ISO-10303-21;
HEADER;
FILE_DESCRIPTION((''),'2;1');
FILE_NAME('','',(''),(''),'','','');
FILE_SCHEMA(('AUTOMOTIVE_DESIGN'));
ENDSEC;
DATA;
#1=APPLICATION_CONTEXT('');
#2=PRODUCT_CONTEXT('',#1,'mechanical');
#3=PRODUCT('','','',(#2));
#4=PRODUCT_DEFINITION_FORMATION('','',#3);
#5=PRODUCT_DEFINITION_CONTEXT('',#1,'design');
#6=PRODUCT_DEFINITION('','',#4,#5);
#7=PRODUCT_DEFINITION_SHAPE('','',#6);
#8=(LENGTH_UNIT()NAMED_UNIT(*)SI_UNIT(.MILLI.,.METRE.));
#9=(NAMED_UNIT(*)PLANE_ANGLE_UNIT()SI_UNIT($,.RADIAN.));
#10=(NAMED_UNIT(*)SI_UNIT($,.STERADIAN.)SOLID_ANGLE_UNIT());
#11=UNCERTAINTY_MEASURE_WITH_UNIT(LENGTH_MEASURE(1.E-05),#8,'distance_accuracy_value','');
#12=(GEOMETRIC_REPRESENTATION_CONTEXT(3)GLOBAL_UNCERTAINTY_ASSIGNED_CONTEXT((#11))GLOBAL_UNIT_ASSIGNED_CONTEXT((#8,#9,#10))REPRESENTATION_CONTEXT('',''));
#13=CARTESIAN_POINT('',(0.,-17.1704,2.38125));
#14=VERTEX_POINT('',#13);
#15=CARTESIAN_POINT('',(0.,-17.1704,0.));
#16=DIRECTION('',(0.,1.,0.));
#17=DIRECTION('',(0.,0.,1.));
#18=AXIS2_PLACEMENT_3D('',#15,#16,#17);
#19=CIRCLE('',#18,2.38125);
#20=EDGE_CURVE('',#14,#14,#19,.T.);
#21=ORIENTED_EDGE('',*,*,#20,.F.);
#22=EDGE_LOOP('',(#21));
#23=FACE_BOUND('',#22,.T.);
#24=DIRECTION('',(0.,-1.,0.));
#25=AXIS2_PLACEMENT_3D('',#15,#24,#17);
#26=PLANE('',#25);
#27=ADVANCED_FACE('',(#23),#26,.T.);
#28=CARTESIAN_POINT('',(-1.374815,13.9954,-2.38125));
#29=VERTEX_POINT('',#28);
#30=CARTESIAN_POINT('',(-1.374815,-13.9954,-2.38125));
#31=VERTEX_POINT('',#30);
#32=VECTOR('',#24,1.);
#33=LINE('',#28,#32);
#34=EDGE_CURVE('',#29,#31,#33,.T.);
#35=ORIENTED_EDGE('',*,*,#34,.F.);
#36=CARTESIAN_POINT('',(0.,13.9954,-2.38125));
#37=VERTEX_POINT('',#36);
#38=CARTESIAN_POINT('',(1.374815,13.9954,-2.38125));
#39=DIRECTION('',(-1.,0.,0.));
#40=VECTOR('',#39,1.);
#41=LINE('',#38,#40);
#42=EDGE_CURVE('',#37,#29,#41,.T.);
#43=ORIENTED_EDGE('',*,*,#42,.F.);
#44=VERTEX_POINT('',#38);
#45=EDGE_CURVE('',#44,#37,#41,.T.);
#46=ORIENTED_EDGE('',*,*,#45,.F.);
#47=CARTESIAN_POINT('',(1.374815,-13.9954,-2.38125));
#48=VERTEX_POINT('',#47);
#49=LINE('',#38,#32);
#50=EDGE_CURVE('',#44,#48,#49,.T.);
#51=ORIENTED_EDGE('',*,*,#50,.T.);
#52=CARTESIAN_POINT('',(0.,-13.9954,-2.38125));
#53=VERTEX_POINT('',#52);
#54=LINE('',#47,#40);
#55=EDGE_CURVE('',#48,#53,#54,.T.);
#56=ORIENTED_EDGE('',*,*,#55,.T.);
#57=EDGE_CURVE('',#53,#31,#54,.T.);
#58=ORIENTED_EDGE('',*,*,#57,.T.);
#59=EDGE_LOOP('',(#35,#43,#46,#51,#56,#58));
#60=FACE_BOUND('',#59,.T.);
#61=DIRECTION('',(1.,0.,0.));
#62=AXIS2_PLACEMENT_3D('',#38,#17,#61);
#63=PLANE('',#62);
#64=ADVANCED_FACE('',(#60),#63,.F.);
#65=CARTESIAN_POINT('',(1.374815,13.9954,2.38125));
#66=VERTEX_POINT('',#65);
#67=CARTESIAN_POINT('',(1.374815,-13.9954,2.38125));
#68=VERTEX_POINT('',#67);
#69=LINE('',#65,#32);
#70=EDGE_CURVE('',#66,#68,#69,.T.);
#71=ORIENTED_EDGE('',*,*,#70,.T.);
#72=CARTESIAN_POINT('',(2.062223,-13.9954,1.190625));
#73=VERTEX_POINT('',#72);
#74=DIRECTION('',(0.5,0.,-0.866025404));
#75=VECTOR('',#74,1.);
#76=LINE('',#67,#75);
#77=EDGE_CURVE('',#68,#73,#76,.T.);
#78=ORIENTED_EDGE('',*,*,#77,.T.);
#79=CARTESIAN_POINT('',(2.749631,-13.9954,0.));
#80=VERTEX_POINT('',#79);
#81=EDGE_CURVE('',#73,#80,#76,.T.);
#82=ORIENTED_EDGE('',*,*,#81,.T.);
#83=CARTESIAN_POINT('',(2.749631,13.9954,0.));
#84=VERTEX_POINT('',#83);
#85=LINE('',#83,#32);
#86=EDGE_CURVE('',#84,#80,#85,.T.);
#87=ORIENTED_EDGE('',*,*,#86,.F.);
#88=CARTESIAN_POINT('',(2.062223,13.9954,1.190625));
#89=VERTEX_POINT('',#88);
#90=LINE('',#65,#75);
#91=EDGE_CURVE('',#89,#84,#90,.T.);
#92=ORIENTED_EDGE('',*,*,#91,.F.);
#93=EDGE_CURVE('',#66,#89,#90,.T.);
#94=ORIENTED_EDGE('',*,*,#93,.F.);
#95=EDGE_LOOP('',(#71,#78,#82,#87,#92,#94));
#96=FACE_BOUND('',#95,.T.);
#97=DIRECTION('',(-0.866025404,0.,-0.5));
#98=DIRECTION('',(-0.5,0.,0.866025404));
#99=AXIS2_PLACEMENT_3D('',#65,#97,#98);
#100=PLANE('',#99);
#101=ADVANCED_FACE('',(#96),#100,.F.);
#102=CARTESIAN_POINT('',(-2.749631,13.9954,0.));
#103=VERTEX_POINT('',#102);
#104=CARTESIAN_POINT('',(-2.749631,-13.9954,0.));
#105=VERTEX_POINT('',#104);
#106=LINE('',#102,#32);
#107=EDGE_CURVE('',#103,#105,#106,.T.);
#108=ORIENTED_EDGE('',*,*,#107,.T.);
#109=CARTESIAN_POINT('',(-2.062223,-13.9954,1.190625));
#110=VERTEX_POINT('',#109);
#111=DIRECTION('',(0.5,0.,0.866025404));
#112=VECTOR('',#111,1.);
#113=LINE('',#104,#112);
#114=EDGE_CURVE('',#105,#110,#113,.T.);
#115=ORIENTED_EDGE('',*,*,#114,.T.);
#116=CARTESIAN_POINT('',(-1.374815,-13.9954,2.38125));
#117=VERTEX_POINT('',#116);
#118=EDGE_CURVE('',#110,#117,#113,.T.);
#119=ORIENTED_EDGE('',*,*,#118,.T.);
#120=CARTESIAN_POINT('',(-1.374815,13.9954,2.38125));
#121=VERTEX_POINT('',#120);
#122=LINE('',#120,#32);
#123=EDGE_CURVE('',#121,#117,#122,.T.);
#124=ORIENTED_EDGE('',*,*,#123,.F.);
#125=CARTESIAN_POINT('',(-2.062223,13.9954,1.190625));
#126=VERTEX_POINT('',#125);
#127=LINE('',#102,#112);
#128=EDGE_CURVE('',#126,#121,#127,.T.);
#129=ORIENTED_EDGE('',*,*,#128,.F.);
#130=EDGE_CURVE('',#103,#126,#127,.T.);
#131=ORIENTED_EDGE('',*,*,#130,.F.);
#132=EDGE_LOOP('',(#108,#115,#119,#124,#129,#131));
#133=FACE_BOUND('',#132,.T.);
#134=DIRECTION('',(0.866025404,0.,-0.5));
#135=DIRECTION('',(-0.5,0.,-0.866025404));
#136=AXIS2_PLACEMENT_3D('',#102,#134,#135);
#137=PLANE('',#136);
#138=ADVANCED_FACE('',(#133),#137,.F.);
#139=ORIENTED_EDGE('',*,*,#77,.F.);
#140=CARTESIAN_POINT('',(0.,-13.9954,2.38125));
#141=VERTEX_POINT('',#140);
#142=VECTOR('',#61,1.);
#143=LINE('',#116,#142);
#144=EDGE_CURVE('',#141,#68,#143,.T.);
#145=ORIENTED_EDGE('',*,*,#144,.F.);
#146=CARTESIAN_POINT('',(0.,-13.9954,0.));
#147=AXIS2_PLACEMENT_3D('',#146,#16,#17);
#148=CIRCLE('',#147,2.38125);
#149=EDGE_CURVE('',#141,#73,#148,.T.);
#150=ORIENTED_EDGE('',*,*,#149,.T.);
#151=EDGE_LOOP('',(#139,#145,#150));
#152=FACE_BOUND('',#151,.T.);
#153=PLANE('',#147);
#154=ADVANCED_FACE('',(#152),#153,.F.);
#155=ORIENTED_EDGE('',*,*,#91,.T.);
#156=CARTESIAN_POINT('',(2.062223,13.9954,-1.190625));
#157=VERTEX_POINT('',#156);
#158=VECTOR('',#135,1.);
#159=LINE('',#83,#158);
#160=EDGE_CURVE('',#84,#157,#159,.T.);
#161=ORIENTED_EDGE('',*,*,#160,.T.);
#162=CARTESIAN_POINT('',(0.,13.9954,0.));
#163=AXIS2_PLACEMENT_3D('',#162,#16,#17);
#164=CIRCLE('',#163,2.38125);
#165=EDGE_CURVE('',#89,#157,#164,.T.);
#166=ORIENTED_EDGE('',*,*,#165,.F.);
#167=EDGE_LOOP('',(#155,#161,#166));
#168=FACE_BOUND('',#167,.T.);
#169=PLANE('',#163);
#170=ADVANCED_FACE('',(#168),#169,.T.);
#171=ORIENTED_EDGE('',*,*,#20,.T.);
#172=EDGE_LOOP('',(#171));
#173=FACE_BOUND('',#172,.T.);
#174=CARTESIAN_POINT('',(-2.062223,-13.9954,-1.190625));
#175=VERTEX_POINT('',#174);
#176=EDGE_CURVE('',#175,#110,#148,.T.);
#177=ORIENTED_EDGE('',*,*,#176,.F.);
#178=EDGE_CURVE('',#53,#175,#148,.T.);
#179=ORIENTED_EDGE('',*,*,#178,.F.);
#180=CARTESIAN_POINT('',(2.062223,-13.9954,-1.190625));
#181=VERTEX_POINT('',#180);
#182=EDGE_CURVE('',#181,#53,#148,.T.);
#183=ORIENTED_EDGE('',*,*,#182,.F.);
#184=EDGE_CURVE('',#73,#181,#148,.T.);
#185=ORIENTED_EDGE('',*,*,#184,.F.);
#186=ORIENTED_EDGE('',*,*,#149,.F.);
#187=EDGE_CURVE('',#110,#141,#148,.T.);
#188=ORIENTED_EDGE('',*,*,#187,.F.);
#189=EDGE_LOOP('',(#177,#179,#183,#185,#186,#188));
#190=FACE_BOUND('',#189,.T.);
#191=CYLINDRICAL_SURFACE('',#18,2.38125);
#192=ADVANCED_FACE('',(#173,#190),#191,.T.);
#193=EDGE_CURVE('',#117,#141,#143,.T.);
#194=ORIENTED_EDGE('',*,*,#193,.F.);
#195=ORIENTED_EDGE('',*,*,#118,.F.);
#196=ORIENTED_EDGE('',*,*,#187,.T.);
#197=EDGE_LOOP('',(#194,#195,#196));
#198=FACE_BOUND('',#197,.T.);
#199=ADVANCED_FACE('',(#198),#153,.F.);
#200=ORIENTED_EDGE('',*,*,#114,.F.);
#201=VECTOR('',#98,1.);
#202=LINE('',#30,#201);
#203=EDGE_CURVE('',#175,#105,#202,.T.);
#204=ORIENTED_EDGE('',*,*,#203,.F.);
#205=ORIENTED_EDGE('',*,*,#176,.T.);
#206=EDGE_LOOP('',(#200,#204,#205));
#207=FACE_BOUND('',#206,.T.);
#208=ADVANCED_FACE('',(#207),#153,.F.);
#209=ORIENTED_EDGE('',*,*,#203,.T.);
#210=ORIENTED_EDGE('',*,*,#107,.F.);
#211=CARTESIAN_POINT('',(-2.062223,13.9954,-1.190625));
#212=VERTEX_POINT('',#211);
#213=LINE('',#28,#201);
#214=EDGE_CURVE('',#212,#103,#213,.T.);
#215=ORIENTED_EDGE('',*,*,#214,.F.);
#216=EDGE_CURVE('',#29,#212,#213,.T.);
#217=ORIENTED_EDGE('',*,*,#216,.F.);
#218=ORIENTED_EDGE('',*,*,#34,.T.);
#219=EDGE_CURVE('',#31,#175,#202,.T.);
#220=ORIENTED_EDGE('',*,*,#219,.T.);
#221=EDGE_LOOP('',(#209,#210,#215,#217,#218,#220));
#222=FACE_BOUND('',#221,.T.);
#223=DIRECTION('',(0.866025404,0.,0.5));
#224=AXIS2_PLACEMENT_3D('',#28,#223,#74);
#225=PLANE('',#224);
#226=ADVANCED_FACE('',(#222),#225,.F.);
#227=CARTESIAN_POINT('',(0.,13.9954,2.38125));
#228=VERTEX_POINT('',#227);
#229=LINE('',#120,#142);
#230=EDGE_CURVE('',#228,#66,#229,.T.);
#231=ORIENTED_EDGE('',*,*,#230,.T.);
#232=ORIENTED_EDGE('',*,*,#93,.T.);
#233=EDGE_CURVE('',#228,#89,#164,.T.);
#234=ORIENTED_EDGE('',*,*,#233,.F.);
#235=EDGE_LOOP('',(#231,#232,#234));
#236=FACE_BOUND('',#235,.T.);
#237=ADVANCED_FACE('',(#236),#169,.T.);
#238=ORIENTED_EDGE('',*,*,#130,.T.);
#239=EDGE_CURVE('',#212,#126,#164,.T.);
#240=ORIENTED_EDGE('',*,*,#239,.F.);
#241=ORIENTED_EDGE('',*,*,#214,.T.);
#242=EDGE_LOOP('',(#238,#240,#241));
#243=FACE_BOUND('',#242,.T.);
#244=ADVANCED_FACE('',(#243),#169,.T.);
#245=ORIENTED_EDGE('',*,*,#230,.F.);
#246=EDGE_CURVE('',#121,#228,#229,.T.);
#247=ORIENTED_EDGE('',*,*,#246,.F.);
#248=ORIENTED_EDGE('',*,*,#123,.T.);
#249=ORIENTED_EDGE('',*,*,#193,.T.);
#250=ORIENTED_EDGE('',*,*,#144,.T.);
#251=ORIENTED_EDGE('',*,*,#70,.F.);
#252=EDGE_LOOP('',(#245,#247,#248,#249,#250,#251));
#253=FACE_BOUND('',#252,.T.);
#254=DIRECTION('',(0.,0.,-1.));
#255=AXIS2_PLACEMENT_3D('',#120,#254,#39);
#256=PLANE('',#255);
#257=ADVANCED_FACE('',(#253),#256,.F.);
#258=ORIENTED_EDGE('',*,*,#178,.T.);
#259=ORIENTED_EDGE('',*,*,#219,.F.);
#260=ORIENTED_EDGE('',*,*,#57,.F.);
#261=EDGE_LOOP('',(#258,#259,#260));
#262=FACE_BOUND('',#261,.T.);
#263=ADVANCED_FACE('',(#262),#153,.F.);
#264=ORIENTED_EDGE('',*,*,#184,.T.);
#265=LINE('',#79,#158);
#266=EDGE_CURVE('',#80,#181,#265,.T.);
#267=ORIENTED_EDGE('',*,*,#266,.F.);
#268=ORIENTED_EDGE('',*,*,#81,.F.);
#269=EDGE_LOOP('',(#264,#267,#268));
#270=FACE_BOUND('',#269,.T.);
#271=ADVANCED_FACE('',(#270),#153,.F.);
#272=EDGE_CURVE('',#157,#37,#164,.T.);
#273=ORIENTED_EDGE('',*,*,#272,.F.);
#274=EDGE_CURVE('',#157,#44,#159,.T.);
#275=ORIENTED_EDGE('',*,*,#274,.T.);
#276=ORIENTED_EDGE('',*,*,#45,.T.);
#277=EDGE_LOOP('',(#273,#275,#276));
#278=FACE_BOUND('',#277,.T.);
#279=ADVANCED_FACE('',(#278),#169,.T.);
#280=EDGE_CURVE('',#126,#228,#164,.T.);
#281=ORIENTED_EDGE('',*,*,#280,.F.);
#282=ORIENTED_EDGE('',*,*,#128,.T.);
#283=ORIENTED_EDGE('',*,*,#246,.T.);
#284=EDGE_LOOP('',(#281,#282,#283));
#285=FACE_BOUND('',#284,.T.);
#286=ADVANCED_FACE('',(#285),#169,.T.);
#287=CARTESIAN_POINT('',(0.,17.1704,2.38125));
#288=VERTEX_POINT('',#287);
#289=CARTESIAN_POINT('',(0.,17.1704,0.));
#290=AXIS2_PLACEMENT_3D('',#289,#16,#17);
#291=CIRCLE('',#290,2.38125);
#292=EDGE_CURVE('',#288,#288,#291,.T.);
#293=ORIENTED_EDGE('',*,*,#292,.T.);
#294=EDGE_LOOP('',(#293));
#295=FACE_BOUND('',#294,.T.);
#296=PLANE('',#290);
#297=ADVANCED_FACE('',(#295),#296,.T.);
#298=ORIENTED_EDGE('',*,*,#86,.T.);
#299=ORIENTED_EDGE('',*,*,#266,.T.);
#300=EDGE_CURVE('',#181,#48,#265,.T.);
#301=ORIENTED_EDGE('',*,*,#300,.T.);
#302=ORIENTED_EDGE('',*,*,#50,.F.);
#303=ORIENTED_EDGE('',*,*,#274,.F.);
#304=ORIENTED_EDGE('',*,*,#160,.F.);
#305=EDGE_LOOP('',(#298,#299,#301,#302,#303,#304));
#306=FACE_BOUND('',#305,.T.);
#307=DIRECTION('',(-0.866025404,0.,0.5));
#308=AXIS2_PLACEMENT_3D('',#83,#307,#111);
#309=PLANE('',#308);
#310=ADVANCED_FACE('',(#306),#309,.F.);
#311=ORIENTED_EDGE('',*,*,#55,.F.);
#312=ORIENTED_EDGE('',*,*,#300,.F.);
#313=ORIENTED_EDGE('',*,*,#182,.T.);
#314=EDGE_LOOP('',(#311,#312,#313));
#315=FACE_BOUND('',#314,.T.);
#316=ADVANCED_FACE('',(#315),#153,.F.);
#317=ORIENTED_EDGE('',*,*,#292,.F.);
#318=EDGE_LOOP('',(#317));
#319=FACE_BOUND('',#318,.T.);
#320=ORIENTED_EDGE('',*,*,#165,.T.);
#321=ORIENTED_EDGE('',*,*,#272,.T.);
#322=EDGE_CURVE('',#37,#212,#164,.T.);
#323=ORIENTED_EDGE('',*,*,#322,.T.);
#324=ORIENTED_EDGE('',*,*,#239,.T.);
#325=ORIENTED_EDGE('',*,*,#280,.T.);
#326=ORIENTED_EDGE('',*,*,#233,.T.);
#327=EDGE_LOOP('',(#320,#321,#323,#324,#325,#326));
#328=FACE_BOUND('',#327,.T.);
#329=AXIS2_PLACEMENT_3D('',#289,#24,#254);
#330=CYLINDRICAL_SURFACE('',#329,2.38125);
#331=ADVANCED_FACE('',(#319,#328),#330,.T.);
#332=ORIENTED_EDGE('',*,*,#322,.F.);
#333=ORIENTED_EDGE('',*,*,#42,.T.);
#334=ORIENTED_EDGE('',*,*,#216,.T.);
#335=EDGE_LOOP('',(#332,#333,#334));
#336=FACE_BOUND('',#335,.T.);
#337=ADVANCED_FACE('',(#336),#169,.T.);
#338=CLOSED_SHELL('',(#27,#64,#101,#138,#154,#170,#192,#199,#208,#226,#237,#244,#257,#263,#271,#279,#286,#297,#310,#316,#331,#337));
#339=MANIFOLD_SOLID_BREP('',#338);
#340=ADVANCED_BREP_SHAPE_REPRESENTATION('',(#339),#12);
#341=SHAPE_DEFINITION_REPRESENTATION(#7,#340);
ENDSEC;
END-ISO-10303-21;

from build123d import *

# Parameters (mm, degrees)
BOSS_EXTRUDE1_DEPTH = 13.9954
SKETCH2_R           = 2.38125
BOSS_EXTRUDE2_DEPTH = 3.175


with BuildPart() as part:
    # Sketch1 → Boss-Extrude1 (new body, symmetric)
    with BuildSketch(Plane(origin=(0, 0, 0), x_dir=(1, 0, 0), z_dir=(0, 1, 0))):
        Polygon((1.374815329, -2.38125), (2.749630657, 0), (1.374815329, 2.38125), (-1.374815329, 2.38125), (-2.749630657, 0), (-1.374815329, -2.38125), align=None)
    extrude(amount=BOSS_EXTRUDE1_DEPTH, both=True)

    # Sketch2 → Boss-Extrude2 (add)
    with BuildSketch(Plane(origin=(0, 13.9954, 0), x_dir=(1, 0, 0), z_dir=(0, 1, 0))):
        Circle(SKETCH2_R)
    boss_extrude2 = extrude(amount=BOSS_EXTRUDE2_DEPTH)

    # Mirror1: Boss-Extrude2 across plane
    add(boss_extrude2.mirror(Plane.ZX))


solid = part.part
